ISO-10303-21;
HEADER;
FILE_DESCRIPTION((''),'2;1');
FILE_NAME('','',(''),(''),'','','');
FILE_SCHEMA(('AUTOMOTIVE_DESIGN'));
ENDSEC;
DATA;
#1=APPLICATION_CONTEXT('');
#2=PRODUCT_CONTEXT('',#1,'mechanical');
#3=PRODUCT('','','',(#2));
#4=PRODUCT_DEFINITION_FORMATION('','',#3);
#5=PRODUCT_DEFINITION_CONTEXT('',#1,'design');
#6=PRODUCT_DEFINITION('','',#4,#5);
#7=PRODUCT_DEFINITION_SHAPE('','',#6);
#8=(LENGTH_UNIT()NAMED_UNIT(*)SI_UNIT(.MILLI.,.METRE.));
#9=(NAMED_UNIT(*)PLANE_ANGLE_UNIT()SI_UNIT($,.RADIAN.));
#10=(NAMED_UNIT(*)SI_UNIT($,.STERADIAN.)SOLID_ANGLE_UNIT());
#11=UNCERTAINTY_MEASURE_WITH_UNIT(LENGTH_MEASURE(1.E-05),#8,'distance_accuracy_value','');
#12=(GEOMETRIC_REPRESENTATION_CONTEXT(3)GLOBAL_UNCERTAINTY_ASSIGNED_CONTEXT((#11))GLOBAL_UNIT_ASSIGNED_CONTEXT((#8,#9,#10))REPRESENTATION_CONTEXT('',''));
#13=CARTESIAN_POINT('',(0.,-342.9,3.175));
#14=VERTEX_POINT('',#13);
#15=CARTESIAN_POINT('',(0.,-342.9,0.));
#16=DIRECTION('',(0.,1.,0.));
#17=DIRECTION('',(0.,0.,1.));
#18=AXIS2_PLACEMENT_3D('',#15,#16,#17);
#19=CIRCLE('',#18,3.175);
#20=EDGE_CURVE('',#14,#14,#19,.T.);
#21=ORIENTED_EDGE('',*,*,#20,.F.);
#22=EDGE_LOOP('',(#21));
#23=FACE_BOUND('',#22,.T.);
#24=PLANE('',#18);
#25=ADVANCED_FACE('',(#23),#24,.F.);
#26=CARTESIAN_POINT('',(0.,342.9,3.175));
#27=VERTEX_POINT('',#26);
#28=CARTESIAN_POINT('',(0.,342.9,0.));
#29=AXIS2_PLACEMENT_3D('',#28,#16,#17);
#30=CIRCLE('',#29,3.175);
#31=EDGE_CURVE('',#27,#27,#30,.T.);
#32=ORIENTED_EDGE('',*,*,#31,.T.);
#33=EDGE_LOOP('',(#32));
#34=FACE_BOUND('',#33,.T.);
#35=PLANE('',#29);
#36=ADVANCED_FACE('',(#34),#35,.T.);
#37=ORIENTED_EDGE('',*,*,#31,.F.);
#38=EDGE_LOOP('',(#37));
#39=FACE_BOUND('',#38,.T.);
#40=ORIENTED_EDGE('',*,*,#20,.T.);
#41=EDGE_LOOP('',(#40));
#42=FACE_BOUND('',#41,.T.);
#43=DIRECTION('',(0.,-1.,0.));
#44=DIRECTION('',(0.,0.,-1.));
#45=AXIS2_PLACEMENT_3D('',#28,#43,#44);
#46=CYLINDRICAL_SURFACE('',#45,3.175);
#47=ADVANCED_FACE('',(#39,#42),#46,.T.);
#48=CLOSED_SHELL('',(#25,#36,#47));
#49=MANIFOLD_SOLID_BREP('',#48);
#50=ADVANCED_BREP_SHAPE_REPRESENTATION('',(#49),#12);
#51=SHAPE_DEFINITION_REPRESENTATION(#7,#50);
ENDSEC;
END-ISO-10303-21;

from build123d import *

# Parameters (mm, degrees)
SKETCH1_R           = 3.175
BOSS_EXTRUDE1_DEPTH = 342.9


with BuildPart() as part:
    # Sketch1 → Boss-Extrude1 (new body, symmetric)
    with BuildSketch(Plane(origin=(0, 0, 0), x_dir=(1, 0, 0), z_dir=(0, 1, 0))):
        Circle(SKETCH1_R)
    extrude(amount=BOSS_EXTRUDE1_DEPTH, both=True)


solid = part.part
